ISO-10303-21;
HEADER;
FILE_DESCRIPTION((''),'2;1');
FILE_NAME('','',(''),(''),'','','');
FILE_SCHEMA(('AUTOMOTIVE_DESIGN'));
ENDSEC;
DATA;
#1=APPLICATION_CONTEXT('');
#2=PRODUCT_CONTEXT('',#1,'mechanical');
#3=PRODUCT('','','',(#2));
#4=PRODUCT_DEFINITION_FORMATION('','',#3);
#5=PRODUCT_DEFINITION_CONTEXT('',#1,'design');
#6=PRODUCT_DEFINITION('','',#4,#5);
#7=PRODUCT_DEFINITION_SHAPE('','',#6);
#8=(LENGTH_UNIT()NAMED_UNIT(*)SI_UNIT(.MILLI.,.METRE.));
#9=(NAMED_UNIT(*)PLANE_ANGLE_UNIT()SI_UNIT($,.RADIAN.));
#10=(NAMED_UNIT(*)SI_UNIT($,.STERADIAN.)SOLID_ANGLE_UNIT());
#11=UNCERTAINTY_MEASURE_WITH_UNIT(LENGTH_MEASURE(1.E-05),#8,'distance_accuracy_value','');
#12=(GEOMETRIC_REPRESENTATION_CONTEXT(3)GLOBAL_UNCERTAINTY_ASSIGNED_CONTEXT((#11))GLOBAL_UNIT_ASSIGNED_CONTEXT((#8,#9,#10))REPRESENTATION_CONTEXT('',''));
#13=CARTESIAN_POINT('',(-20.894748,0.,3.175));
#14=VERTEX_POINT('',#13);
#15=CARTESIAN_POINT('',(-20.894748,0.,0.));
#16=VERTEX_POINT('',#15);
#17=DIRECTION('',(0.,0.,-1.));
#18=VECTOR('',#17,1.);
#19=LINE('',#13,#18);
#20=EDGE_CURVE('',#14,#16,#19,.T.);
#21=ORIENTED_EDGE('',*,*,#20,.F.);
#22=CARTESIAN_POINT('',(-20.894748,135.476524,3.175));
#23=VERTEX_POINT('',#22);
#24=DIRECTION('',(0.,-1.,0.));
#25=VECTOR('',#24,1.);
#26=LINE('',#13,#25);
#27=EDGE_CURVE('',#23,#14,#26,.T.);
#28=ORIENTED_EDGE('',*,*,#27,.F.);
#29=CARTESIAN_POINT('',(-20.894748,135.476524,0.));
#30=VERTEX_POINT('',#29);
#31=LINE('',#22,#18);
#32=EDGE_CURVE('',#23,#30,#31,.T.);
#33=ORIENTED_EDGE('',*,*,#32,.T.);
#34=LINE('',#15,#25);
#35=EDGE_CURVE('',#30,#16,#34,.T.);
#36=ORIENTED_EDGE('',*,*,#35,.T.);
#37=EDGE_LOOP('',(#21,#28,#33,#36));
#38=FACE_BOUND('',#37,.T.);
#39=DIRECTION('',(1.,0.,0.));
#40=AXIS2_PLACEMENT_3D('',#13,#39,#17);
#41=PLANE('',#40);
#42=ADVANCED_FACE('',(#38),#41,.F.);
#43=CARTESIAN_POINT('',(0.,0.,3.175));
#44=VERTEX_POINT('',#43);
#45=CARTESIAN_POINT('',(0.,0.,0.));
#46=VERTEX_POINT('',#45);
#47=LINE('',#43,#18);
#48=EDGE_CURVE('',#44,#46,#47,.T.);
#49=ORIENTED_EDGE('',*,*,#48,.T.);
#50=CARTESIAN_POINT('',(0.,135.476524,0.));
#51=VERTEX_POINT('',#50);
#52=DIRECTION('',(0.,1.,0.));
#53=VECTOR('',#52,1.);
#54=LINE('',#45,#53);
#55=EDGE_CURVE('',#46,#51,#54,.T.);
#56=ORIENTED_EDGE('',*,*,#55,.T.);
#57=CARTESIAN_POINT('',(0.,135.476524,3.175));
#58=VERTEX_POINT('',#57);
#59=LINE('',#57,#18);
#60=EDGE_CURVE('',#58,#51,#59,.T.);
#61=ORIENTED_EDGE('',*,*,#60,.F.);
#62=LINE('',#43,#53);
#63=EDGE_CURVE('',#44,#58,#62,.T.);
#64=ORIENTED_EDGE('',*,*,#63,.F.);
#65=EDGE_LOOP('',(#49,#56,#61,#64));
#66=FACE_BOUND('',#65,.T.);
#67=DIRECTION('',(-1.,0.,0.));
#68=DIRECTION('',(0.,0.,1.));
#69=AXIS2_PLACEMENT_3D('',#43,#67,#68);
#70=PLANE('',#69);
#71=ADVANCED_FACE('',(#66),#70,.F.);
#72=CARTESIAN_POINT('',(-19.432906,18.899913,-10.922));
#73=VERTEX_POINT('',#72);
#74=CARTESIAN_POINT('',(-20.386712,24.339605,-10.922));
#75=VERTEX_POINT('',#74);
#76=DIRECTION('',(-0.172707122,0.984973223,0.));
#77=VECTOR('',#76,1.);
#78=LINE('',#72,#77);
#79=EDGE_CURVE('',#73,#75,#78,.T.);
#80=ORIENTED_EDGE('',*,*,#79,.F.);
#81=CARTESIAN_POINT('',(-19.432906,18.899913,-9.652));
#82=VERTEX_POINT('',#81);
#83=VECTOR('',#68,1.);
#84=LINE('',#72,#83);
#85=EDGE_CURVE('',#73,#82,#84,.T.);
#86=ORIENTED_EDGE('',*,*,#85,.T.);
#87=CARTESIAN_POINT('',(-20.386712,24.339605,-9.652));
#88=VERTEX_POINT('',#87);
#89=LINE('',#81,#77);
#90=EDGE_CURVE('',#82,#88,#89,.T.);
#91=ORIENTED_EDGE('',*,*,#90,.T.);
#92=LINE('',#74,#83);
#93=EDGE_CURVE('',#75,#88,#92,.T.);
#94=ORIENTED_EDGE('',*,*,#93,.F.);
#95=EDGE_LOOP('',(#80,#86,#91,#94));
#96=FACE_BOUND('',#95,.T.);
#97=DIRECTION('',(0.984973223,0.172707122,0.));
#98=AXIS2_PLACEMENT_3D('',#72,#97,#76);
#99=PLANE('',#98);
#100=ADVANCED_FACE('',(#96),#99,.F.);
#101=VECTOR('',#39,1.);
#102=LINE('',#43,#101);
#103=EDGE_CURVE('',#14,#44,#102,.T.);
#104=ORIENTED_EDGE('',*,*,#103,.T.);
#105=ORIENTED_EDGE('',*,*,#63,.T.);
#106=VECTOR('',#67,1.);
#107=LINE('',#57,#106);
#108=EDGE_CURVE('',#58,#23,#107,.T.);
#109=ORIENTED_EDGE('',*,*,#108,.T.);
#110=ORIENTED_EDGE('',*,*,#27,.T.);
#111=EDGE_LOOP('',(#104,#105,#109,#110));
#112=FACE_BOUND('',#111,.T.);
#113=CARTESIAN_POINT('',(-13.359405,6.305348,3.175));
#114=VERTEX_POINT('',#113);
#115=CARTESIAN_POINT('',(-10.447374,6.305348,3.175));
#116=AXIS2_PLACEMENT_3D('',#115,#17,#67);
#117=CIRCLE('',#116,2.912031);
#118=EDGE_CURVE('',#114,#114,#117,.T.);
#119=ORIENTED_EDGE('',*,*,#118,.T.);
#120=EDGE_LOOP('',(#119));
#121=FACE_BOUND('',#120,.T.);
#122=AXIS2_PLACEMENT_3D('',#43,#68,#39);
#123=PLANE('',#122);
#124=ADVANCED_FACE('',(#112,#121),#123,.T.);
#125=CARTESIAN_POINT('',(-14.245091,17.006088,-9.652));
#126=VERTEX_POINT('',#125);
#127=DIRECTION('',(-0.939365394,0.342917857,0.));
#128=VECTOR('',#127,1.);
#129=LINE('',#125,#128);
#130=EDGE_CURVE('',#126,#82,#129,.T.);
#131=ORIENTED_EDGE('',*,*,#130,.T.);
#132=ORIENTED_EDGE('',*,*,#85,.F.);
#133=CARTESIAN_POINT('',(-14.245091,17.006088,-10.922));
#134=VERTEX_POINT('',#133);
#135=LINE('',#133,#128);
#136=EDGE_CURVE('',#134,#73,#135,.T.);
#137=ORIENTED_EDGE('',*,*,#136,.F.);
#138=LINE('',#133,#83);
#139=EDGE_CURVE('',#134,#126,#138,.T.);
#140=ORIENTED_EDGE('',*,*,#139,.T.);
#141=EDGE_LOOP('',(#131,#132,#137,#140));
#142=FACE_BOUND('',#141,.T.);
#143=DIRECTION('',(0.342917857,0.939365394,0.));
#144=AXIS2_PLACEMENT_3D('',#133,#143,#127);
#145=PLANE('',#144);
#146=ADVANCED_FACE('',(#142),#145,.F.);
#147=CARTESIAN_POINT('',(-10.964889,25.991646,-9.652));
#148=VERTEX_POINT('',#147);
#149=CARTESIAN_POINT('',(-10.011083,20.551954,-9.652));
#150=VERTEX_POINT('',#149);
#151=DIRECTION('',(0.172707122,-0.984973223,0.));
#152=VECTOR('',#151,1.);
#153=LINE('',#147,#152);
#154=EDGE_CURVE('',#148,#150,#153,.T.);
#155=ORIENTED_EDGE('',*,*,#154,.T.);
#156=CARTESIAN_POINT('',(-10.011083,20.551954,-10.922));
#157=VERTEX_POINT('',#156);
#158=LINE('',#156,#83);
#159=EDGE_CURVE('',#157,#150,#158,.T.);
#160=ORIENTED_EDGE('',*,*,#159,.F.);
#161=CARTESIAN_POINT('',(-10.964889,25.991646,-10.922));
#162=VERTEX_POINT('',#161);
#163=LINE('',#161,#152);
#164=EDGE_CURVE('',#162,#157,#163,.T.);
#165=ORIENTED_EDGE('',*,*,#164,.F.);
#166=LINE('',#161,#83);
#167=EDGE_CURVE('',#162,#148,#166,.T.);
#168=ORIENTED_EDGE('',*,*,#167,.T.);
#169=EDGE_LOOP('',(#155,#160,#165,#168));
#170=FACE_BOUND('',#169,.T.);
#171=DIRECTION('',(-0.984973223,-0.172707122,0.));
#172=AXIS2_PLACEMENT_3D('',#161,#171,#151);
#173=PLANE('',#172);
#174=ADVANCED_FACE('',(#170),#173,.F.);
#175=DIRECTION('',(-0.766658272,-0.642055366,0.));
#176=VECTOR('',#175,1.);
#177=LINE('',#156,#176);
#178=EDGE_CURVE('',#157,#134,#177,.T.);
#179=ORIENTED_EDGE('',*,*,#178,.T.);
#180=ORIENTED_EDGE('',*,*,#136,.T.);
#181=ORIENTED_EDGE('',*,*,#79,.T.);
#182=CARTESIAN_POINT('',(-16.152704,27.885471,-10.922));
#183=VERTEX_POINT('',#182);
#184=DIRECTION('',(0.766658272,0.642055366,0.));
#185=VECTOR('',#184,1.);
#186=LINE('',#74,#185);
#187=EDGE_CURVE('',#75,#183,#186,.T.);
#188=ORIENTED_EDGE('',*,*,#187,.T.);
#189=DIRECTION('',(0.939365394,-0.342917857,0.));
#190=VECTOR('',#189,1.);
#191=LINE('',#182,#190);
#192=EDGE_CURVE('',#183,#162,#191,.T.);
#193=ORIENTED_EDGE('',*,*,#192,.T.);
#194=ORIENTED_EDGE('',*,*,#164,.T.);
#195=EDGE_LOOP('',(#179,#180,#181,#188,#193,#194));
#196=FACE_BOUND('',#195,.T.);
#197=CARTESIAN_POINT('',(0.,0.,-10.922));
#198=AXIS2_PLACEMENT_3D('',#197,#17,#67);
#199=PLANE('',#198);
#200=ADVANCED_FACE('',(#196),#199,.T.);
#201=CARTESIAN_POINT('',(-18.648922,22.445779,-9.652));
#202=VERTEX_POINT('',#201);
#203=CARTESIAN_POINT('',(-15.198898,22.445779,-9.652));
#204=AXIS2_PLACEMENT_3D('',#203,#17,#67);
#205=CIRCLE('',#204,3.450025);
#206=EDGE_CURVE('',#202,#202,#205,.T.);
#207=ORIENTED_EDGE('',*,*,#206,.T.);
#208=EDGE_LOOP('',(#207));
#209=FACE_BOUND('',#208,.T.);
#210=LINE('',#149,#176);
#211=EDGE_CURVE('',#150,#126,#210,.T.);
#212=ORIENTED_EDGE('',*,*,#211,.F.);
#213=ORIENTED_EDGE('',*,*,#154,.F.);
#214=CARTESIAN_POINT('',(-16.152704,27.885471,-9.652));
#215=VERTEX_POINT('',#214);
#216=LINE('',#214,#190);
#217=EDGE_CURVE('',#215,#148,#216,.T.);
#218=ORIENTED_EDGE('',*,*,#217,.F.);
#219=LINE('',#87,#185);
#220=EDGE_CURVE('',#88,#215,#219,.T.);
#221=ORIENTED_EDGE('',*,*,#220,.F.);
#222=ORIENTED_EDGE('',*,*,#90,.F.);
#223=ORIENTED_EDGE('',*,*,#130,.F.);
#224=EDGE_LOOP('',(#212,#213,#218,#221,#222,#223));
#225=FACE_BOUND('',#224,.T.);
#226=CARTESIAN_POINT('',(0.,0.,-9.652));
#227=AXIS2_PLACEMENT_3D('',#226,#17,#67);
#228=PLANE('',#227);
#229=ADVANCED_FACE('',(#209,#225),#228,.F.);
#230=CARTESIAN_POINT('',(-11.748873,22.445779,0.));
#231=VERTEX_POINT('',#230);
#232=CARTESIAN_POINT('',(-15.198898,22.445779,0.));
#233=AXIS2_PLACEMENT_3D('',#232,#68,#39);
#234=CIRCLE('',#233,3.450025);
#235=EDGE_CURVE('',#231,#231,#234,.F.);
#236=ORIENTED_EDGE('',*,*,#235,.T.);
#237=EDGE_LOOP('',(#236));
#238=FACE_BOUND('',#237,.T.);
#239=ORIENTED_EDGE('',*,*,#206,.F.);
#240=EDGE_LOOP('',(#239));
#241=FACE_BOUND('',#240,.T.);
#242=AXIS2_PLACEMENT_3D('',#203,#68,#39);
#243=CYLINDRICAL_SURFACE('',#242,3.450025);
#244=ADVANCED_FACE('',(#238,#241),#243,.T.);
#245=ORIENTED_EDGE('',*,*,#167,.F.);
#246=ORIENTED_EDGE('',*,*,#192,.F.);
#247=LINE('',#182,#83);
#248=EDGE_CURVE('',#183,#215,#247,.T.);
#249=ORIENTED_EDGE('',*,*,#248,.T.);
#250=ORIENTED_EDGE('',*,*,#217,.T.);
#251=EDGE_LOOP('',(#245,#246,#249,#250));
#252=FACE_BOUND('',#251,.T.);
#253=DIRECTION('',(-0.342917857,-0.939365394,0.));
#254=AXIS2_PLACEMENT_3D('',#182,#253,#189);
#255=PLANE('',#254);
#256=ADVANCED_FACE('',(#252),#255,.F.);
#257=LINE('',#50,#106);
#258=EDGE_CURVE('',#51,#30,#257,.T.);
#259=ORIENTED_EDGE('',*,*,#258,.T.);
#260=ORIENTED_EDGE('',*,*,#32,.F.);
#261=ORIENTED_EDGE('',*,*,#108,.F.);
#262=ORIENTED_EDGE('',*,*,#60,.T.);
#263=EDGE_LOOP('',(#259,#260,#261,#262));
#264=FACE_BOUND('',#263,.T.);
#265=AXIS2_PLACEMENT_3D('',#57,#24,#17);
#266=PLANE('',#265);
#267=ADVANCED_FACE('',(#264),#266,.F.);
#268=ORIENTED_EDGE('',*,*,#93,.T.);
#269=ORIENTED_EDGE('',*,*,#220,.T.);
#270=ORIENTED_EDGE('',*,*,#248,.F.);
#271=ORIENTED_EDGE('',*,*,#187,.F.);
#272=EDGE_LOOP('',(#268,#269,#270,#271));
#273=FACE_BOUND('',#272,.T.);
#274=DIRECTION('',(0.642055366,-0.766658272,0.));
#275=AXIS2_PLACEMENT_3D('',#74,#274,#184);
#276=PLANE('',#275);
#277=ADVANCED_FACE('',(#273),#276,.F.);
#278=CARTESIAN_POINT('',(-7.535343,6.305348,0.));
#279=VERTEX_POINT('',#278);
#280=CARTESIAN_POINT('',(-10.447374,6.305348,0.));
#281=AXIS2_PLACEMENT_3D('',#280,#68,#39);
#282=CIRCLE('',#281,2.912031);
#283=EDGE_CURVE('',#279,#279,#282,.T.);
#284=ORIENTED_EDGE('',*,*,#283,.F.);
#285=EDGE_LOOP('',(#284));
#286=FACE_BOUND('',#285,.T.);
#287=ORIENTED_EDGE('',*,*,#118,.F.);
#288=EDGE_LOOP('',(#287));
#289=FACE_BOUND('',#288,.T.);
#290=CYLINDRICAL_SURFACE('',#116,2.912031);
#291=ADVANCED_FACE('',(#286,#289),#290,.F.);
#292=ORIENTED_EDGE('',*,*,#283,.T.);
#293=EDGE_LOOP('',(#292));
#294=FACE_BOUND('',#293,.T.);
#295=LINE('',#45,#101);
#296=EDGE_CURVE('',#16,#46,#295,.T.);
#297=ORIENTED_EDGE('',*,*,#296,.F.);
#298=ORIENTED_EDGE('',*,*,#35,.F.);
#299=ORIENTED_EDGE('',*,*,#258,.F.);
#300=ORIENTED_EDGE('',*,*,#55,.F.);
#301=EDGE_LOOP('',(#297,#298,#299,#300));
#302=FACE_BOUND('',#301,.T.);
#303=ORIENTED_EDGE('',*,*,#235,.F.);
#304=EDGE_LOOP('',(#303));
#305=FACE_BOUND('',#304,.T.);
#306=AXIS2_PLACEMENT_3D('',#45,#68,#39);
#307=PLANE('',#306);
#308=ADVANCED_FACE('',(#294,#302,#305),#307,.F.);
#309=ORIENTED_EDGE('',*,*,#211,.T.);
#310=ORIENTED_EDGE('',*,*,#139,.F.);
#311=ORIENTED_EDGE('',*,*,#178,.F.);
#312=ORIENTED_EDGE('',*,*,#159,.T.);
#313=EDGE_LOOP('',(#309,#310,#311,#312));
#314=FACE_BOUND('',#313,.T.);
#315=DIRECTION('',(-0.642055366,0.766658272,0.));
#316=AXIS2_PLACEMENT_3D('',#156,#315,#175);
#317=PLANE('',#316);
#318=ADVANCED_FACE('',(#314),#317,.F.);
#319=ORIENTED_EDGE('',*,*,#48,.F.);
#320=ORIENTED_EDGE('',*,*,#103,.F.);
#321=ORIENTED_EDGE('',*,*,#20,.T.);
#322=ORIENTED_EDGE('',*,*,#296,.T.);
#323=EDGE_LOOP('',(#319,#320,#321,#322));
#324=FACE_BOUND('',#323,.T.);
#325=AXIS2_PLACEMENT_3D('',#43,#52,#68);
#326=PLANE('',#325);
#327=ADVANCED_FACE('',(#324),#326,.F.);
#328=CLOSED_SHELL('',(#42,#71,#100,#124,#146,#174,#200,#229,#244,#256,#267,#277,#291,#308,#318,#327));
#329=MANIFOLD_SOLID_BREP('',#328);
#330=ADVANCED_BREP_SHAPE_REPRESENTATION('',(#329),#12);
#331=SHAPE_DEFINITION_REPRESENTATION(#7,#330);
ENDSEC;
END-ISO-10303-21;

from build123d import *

# Parameters (mm, degrees)
SKETCH1_W               = 20.894747592
SKETCH1_H               = 135.476524453
BOSS_EXTRUDE1_DEPTH     = 3.175
SKETCH2_R               = 2.912030795
CUT_EXTRUDE2_DEPTH      = 1
CUT_EXTRUDE2_DEPTH_BACK = 4.175
SKETCH2_4_R             = 3.450024598
BOSS_EXTRUDE2_DEPTH     = 9.652
BOSS_EXTRUDE3_DEPTH     = 1.27


with BuildPart() as part:
    # Sketch1 → Boss-Extrude1 (new body)
    with BuildSketch(Plane.XY):
        with Locations((-10.447373796, 67.738262226)):
            Rectangle(SKETCH1_W, SKETCH1_H)
    extrude(amount=BOSS_EXTRUDE1_DEPTH)

    # Sketch2 → Cut-Extrude2 (cut, two sides)
    with BuildSketch(Plane(origin=(0, 0, 0), x_dir=(-1, 0, 0), z_dir=(0, 0, -1))) as cut_extrude2_sk:
        with Locations((10.447373796, 6.305347679)):
            Circle(SKETCH2_R)
    extrude(amount=CUT_EXTRUDE2_DEPTH, mode=Mode.SUBTRACT)
    extrude(cut_extrude2_sk.sketch, amount=-CUT_EXTRUDE2_DEPTH_BACK, mode=Mode.SUBTRACT)

    # Sketch2<4> → Boss-Extrude2 (add)
    with BuildSketch(Plane(origin=(0, 0, 0), x_dir=(-1, 0, 0), z_dir=(0, 0, -1))):
        with Locations((15.198897526, 22.445779357)):
            Circle(SKETCH2_4_R)
    extrude(amount=BOSS_EXTRUDE2_DEPTH)

    # Sketch3 → Boss-Extrude3 (add)
    with BuildSketch(Plane(origin=(0, 0, -9.652), x_dir=(-1, 0, 0), z_dir=(0, 0, -1))):
        Polygon((10.964889393, 25.99164554), (10.011083267, 20.551953845), (14.2450914, 17.006087662), (19.432905659, 18.899913174), (20.386711785, 24.339604868), (16.152703653, 27.885471051), align=None)
    extrude(amount=BOSS_EXTRUDE3_DEPTH)


solid = part.part
